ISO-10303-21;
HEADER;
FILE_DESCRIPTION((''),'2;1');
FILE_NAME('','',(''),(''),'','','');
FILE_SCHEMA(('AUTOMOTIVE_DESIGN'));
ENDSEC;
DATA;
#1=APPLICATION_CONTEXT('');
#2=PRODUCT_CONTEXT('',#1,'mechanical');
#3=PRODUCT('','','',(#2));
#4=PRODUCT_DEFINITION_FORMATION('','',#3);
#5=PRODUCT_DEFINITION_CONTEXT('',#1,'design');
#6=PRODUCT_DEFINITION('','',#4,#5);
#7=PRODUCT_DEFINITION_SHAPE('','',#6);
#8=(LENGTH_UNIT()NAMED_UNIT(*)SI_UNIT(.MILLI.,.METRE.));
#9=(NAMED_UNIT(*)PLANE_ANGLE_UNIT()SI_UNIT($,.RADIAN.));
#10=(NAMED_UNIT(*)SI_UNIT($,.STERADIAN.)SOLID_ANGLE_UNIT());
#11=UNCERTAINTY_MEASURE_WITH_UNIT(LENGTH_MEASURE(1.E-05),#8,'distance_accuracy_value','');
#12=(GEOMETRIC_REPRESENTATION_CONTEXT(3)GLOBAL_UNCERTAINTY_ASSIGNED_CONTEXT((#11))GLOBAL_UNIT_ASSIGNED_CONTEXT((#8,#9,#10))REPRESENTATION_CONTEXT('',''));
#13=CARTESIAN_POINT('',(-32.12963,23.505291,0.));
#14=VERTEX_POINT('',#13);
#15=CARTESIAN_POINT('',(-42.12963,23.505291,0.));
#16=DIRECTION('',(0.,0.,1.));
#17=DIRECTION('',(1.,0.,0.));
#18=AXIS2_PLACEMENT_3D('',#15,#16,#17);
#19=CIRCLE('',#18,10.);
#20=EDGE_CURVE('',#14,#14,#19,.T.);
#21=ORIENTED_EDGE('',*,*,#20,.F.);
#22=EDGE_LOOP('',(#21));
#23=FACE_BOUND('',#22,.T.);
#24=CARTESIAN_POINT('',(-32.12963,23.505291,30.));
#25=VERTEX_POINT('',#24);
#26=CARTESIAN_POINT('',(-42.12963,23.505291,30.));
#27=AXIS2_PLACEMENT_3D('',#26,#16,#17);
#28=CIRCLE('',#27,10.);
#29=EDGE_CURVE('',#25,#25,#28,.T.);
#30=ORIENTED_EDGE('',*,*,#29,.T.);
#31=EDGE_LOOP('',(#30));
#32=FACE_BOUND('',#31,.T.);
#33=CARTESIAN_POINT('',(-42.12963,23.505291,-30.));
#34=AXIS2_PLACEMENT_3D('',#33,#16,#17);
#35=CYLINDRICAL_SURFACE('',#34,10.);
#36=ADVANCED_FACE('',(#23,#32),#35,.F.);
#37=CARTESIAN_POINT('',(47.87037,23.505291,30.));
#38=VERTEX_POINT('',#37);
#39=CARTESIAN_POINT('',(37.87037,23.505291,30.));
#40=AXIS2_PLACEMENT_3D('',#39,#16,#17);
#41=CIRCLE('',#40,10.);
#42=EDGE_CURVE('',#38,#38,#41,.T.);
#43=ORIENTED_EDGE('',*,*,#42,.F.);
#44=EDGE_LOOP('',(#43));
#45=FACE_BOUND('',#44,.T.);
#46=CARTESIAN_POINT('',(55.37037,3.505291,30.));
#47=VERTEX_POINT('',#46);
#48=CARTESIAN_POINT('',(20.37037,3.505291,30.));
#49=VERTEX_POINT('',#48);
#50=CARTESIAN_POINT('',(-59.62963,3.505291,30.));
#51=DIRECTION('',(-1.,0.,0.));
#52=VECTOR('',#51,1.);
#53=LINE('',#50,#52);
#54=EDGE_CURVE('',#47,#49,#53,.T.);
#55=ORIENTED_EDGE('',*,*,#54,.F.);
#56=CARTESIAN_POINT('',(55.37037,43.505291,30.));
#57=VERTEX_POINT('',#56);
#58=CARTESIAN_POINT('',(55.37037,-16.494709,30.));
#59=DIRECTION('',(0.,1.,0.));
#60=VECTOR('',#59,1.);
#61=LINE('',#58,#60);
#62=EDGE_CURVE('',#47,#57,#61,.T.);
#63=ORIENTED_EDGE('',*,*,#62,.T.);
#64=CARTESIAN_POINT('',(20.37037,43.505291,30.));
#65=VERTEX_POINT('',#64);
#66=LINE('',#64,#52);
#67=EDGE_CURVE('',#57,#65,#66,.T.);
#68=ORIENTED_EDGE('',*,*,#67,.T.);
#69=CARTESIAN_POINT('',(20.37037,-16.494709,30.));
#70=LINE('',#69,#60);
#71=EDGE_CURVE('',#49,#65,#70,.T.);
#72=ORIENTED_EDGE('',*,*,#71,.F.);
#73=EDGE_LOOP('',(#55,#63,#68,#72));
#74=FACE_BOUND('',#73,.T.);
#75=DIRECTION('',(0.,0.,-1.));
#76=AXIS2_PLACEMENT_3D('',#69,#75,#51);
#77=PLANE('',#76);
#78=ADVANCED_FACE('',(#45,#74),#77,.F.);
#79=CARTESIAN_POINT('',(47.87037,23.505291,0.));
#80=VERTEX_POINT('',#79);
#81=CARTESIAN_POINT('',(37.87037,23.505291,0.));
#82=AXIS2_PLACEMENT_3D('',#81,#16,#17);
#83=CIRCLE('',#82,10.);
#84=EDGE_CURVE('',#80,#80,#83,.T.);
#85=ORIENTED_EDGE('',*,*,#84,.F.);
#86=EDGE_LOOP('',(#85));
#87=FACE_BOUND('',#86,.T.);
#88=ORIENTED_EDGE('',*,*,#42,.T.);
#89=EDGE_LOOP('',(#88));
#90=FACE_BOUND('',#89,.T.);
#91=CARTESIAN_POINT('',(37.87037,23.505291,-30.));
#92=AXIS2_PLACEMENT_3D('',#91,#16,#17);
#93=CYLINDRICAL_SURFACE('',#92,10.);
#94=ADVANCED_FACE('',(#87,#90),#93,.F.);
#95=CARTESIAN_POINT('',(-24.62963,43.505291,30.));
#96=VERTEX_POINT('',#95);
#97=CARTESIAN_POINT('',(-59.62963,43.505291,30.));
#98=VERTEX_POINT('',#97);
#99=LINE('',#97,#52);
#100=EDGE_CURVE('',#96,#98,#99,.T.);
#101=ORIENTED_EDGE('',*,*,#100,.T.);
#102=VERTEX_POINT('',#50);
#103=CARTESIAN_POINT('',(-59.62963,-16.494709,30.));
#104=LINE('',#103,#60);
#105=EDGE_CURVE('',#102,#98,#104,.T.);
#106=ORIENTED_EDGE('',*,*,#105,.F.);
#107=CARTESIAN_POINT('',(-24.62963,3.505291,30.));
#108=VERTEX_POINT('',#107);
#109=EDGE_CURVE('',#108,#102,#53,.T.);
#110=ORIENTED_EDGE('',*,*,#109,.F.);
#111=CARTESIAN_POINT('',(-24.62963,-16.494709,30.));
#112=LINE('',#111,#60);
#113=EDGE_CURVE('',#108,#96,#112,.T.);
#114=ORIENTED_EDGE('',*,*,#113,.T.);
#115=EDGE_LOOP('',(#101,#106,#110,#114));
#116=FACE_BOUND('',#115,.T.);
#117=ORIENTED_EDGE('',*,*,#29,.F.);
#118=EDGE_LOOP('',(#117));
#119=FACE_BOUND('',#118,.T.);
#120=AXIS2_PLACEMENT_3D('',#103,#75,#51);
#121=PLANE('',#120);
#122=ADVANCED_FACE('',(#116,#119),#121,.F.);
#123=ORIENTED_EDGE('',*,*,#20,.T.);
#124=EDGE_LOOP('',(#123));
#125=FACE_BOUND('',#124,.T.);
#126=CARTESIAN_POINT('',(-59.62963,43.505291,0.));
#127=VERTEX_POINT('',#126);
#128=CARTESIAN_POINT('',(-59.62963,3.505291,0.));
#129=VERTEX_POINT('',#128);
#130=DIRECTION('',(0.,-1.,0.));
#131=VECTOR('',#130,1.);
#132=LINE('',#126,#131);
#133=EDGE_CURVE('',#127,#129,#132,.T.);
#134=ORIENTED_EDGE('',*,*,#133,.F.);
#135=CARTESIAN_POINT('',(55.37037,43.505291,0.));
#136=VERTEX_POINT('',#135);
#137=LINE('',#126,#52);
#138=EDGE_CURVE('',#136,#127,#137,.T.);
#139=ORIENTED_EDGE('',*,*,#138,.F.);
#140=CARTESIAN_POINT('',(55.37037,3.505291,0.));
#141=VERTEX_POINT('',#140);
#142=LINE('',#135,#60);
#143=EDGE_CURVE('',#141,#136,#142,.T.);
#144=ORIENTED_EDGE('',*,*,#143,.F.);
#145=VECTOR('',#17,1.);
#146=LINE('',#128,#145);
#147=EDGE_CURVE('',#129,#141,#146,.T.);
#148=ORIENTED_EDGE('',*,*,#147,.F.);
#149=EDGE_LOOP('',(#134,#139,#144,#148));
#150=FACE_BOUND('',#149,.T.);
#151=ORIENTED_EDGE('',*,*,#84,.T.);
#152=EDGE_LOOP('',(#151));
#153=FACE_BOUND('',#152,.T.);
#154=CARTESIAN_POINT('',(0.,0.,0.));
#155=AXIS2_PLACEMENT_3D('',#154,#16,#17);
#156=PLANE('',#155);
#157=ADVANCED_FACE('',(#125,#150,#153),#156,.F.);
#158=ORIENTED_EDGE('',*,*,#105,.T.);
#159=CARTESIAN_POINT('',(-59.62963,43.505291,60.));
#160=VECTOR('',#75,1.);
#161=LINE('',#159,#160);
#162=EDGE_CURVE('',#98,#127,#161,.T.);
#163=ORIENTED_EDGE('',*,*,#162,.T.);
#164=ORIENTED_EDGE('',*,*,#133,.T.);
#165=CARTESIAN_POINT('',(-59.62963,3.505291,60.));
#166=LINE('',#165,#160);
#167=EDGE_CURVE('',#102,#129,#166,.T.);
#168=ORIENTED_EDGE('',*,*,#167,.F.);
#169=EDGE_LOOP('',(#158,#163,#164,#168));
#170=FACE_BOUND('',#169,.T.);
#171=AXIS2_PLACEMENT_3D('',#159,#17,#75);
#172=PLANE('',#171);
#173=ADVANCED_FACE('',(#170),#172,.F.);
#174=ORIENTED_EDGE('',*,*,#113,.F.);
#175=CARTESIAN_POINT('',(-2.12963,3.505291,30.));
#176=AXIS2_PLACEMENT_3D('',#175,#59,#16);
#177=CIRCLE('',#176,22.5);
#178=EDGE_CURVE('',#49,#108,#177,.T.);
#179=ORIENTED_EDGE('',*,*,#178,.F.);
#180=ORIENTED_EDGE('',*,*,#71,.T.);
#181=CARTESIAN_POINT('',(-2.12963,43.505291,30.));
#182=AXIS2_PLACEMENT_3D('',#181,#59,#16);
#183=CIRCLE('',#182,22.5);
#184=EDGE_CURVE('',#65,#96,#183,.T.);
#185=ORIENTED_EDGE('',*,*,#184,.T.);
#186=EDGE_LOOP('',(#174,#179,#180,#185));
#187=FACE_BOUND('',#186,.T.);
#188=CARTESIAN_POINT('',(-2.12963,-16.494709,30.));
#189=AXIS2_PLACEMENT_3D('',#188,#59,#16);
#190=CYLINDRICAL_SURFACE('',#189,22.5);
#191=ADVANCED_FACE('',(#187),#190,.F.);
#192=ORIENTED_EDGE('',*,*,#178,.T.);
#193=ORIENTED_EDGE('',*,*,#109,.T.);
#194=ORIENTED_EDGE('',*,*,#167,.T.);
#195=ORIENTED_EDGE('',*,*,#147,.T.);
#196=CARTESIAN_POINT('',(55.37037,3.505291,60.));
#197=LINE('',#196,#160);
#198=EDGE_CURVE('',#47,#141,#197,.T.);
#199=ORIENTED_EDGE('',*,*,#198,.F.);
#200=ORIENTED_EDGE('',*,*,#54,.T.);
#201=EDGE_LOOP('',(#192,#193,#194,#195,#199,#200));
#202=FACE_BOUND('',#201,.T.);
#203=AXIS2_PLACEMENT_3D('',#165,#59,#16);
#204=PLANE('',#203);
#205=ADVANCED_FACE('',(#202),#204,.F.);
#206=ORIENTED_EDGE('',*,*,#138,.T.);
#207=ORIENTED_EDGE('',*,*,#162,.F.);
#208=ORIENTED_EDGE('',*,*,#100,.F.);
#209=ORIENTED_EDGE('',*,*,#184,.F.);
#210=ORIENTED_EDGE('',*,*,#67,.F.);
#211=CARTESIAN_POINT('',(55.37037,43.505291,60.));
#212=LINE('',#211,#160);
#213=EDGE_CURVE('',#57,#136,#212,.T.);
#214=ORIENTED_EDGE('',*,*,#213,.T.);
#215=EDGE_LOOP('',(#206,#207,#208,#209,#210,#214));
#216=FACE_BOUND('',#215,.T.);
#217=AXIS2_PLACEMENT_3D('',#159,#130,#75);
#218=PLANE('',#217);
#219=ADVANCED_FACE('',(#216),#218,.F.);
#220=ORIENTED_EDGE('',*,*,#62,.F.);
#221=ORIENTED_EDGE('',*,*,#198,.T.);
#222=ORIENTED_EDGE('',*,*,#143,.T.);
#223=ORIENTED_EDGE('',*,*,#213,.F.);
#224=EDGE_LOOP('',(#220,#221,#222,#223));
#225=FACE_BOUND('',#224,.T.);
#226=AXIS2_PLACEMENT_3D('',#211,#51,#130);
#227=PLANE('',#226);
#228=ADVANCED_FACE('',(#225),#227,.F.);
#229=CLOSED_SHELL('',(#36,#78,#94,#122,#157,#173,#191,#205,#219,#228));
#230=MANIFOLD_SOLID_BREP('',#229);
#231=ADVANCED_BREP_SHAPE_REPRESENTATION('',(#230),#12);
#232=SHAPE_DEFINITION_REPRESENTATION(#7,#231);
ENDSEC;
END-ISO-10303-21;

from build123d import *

# Parameters (mm, degrees)
SKETCH2_W           = 115
SKETCH2_H           = 40
BOSS_EXTRUDE1_DEPTH = 60
CUT_EXTRUDE1_DEPTH  = 60
SKETCH4_R           = 10
CUT_EXTRUDE2_DEPTH  = 60


with BuildPart() as part:
    # Sketch2 → Boss-Extrude1 (new body)
    with BuildSketch(Plane.XY):
        with Locations((-2.12962963, 23.505291005)):
            Rectangle(SKETCH2_W, SKETCH2_H)
    extrude(amount=BOSS_EXTRUDE1_DEPTH)

    # Sketch3 → Cut-Extrude1 (cut)
    with BuildSketch(Plane(origin=(0, 43.505291005, 0), x_dir=(1, 0, 0), z_dir=(0, 1, 0))):
        with BuildLine():
            Line((-59.62962963, -30), (-24.62962963, -30))
            ThreePointArc((-24.62962963, -30), (-2.12962963, -7.5), (20.37037037, -30))
            Line((20.37037037, -30), (55.37037037, -30))
            Line((55.37037037, -30), (55.37037037, -60))
            Line((55.37037037, -60), (-59.62962963, -60))
            Line((-59.62962963, -60), (-59.62962963, -30))
        make_face()
    extrude(amount=-CUT_EXTRUDE1_DEPTH, mode=Mode.SUBTRACT)

    # Sketch4 → Cut-Extrude2 (cut)
    with BuildSketch(Plane.XY.offset(30)):
        with Locations((-42.12962963, 23.505291005)):
            Circle(SKETCH4_R)
        with Locations((37.87037037, 23.505291005)):
            Circle(SKETCH4_R)
    extrude(amount=-CUT_EXTRUDE2_DEPTH, mode=Mode.SUBTRACT)


solid = part.part
